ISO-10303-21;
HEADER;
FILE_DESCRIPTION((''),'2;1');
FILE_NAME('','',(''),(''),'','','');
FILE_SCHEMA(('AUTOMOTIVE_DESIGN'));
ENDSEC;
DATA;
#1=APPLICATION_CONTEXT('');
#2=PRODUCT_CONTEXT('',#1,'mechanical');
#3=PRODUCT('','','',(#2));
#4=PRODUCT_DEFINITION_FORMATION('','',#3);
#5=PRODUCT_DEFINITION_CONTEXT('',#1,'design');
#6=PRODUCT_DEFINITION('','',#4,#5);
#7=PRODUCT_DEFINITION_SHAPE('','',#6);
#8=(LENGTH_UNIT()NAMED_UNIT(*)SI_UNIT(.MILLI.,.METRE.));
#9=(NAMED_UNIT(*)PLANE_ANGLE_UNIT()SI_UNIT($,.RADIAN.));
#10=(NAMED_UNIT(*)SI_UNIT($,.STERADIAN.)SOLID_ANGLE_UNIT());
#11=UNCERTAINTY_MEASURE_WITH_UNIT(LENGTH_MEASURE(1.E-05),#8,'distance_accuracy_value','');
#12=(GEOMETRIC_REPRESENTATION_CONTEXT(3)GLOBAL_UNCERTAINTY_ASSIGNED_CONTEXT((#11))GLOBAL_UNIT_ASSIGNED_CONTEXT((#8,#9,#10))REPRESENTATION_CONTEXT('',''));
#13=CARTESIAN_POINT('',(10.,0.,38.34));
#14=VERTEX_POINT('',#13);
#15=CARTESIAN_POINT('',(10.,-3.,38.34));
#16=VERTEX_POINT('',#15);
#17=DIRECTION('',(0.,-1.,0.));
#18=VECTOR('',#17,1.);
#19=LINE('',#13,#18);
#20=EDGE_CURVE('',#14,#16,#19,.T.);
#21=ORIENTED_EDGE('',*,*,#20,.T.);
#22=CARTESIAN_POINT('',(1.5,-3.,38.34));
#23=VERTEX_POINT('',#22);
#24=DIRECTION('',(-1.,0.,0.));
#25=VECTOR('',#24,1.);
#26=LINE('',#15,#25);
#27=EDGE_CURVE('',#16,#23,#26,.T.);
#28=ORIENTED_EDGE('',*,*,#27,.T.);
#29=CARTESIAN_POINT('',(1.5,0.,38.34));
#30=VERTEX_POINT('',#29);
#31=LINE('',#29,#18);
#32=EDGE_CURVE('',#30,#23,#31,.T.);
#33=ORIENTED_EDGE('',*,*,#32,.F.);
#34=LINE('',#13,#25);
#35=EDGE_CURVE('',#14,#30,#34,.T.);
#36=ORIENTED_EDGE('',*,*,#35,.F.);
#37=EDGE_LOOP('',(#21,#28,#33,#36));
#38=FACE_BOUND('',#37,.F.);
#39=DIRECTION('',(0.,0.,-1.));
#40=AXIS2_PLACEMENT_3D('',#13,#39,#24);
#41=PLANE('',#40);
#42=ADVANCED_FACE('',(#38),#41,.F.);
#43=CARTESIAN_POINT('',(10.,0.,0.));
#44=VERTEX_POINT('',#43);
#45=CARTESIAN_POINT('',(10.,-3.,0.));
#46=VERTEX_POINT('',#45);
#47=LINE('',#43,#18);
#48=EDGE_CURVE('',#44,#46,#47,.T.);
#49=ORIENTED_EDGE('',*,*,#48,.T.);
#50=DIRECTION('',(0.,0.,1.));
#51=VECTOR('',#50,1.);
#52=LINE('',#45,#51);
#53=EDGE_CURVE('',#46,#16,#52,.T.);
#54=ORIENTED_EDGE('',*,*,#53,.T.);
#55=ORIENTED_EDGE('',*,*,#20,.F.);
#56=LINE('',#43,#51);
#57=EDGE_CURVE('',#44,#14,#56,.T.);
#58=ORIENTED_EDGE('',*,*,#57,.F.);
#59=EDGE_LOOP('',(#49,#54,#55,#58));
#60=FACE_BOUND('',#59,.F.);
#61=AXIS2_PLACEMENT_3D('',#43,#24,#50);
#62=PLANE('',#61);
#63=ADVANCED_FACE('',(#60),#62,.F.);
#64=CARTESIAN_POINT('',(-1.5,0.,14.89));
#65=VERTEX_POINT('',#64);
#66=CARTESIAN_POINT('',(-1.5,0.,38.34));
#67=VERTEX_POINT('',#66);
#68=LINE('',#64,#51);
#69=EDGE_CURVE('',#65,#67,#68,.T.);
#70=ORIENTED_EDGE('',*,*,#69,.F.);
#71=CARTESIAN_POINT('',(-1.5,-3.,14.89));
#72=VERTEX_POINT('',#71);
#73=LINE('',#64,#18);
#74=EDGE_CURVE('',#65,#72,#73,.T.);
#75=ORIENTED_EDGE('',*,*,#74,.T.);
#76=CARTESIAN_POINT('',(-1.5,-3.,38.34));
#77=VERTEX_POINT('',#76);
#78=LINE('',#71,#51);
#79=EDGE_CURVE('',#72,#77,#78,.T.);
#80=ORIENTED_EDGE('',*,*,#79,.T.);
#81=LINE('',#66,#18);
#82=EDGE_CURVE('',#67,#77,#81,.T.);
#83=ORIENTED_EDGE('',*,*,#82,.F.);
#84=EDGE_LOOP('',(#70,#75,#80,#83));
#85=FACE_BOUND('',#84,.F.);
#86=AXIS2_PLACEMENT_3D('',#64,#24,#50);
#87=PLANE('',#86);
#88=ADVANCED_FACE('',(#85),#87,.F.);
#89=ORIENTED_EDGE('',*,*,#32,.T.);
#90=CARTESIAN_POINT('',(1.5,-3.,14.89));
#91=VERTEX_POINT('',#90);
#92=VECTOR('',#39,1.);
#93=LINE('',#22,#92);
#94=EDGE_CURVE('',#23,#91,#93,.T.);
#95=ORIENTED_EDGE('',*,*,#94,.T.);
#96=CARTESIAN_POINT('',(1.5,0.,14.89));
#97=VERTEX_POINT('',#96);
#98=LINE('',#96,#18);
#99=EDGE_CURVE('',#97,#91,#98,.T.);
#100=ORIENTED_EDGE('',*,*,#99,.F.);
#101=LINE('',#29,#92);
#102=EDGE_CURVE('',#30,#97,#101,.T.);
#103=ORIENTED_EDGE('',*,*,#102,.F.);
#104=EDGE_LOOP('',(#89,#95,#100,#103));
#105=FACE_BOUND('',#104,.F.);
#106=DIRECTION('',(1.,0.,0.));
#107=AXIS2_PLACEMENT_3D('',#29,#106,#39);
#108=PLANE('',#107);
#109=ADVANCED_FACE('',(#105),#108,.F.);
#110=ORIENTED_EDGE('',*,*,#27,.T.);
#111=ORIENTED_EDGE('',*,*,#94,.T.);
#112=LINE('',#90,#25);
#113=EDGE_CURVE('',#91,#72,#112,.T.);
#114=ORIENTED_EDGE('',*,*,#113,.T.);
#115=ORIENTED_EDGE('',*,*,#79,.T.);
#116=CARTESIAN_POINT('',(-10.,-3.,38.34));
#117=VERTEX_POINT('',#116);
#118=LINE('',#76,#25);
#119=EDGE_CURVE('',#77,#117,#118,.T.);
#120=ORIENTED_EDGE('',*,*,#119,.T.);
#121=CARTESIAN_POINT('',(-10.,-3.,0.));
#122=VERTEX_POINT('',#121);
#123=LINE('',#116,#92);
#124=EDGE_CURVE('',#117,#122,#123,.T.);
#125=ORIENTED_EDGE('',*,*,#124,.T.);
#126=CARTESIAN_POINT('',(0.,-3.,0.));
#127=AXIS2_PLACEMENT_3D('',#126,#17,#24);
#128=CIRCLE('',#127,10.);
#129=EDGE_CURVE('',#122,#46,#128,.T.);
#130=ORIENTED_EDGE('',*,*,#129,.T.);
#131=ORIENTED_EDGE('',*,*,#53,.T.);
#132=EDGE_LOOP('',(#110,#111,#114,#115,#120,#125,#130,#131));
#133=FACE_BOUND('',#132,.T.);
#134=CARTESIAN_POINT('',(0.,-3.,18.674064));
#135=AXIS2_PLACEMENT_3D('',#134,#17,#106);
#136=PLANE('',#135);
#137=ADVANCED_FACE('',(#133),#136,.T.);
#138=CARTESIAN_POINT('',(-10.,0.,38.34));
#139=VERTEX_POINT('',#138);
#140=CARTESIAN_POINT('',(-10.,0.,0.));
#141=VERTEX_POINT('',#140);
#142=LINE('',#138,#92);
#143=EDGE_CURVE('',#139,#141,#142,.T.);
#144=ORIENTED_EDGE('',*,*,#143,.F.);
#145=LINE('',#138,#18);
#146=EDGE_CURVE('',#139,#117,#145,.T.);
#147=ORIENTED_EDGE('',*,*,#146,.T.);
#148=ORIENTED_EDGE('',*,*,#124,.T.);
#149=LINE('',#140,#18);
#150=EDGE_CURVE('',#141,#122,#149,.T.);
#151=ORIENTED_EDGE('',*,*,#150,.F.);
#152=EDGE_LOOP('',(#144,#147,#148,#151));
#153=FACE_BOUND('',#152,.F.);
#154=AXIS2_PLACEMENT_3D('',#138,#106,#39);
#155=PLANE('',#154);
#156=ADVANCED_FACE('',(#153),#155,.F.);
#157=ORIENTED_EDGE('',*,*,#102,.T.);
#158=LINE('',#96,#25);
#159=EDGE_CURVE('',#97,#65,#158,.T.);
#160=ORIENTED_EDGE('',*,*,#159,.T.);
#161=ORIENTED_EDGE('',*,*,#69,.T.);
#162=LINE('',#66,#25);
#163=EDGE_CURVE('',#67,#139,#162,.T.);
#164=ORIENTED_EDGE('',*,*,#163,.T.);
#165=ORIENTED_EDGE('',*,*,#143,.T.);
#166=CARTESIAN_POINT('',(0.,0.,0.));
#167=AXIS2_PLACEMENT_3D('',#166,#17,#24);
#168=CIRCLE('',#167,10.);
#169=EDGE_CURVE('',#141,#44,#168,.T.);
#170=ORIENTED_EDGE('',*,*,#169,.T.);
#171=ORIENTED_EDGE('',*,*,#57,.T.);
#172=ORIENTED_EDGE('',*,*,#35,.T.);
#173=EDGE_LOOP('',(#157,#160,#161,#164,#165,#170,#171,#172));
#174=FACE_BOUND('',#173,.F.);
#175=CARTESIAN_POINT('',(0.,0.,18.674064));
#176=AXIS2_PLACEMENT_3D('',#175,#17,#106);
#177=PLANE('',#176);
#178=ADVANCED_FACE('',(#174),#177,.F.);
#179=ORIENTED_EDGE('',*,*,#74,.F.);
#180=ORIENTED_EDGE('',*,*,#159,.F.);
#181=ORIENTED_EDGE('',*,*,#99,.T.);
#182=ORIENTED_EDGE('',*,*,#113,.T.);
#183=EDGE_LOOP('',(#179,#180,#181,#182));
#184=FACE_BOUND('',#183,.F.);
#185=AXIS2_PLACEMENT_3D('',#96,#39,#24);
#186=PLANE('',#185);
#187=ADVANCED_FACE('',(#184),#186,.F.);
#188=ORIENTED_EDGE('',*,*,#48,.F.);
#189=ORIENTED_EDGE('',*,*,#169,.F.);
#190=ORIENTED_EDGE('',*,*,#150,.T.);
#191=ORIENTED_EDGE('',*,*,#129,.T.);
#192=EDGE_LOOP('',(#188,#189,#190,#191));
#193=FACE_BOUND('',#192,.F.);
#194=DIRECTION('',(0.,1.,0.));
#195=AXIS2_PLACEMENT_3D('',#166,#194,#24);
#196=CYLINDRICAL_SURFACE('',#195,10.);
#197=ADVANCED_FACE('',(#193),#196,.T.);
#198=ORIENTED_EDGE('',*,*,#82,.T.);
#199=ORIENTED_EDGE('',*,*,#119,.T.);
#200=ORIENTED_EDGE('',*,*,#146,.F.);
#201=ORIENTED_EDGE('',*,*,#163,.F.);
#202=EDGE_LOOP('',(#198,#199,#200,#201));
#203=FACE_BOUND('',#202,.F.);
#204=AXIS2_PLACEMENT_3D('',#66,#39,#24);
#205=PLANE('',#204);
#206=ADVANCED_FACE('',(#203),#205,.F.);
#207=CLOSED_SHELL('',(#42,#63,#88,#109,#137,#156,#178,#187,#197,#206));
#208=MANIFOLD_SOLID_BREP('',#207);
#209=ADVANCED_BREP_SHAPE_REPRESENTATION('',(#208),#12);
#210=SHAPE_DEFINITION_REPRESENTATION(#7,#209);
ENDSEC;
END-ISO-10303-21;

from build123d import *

# Parameters (mm, degrees)
F1_DEPTH = 3


with BuildPart() as f1:
    # F0 (on Front) → F1 (new body)
    with BuildSketch(Plane.XZ):
        with BuildLine():
            Line((-10, 38.34), (-10, 0))
            ThreePointArc((-10, 0), (0, -10), (10, 0))
            Line((10, 0), (10, 38.34))
            Line((10, 38.34), (1.5, 38.34))
            Line((1.5, 38.34), (1.5, 14.89))
            Line((1.5, 14.89), (-1.5, 14.89))
            Line((-1.5, 14.89), (-1.5, 38.34))
            Line((-1.5, 38.34), (-10, 38.34))
        make_face()
    extrude(amount=F1_DEPTH)


solid = f1.part
